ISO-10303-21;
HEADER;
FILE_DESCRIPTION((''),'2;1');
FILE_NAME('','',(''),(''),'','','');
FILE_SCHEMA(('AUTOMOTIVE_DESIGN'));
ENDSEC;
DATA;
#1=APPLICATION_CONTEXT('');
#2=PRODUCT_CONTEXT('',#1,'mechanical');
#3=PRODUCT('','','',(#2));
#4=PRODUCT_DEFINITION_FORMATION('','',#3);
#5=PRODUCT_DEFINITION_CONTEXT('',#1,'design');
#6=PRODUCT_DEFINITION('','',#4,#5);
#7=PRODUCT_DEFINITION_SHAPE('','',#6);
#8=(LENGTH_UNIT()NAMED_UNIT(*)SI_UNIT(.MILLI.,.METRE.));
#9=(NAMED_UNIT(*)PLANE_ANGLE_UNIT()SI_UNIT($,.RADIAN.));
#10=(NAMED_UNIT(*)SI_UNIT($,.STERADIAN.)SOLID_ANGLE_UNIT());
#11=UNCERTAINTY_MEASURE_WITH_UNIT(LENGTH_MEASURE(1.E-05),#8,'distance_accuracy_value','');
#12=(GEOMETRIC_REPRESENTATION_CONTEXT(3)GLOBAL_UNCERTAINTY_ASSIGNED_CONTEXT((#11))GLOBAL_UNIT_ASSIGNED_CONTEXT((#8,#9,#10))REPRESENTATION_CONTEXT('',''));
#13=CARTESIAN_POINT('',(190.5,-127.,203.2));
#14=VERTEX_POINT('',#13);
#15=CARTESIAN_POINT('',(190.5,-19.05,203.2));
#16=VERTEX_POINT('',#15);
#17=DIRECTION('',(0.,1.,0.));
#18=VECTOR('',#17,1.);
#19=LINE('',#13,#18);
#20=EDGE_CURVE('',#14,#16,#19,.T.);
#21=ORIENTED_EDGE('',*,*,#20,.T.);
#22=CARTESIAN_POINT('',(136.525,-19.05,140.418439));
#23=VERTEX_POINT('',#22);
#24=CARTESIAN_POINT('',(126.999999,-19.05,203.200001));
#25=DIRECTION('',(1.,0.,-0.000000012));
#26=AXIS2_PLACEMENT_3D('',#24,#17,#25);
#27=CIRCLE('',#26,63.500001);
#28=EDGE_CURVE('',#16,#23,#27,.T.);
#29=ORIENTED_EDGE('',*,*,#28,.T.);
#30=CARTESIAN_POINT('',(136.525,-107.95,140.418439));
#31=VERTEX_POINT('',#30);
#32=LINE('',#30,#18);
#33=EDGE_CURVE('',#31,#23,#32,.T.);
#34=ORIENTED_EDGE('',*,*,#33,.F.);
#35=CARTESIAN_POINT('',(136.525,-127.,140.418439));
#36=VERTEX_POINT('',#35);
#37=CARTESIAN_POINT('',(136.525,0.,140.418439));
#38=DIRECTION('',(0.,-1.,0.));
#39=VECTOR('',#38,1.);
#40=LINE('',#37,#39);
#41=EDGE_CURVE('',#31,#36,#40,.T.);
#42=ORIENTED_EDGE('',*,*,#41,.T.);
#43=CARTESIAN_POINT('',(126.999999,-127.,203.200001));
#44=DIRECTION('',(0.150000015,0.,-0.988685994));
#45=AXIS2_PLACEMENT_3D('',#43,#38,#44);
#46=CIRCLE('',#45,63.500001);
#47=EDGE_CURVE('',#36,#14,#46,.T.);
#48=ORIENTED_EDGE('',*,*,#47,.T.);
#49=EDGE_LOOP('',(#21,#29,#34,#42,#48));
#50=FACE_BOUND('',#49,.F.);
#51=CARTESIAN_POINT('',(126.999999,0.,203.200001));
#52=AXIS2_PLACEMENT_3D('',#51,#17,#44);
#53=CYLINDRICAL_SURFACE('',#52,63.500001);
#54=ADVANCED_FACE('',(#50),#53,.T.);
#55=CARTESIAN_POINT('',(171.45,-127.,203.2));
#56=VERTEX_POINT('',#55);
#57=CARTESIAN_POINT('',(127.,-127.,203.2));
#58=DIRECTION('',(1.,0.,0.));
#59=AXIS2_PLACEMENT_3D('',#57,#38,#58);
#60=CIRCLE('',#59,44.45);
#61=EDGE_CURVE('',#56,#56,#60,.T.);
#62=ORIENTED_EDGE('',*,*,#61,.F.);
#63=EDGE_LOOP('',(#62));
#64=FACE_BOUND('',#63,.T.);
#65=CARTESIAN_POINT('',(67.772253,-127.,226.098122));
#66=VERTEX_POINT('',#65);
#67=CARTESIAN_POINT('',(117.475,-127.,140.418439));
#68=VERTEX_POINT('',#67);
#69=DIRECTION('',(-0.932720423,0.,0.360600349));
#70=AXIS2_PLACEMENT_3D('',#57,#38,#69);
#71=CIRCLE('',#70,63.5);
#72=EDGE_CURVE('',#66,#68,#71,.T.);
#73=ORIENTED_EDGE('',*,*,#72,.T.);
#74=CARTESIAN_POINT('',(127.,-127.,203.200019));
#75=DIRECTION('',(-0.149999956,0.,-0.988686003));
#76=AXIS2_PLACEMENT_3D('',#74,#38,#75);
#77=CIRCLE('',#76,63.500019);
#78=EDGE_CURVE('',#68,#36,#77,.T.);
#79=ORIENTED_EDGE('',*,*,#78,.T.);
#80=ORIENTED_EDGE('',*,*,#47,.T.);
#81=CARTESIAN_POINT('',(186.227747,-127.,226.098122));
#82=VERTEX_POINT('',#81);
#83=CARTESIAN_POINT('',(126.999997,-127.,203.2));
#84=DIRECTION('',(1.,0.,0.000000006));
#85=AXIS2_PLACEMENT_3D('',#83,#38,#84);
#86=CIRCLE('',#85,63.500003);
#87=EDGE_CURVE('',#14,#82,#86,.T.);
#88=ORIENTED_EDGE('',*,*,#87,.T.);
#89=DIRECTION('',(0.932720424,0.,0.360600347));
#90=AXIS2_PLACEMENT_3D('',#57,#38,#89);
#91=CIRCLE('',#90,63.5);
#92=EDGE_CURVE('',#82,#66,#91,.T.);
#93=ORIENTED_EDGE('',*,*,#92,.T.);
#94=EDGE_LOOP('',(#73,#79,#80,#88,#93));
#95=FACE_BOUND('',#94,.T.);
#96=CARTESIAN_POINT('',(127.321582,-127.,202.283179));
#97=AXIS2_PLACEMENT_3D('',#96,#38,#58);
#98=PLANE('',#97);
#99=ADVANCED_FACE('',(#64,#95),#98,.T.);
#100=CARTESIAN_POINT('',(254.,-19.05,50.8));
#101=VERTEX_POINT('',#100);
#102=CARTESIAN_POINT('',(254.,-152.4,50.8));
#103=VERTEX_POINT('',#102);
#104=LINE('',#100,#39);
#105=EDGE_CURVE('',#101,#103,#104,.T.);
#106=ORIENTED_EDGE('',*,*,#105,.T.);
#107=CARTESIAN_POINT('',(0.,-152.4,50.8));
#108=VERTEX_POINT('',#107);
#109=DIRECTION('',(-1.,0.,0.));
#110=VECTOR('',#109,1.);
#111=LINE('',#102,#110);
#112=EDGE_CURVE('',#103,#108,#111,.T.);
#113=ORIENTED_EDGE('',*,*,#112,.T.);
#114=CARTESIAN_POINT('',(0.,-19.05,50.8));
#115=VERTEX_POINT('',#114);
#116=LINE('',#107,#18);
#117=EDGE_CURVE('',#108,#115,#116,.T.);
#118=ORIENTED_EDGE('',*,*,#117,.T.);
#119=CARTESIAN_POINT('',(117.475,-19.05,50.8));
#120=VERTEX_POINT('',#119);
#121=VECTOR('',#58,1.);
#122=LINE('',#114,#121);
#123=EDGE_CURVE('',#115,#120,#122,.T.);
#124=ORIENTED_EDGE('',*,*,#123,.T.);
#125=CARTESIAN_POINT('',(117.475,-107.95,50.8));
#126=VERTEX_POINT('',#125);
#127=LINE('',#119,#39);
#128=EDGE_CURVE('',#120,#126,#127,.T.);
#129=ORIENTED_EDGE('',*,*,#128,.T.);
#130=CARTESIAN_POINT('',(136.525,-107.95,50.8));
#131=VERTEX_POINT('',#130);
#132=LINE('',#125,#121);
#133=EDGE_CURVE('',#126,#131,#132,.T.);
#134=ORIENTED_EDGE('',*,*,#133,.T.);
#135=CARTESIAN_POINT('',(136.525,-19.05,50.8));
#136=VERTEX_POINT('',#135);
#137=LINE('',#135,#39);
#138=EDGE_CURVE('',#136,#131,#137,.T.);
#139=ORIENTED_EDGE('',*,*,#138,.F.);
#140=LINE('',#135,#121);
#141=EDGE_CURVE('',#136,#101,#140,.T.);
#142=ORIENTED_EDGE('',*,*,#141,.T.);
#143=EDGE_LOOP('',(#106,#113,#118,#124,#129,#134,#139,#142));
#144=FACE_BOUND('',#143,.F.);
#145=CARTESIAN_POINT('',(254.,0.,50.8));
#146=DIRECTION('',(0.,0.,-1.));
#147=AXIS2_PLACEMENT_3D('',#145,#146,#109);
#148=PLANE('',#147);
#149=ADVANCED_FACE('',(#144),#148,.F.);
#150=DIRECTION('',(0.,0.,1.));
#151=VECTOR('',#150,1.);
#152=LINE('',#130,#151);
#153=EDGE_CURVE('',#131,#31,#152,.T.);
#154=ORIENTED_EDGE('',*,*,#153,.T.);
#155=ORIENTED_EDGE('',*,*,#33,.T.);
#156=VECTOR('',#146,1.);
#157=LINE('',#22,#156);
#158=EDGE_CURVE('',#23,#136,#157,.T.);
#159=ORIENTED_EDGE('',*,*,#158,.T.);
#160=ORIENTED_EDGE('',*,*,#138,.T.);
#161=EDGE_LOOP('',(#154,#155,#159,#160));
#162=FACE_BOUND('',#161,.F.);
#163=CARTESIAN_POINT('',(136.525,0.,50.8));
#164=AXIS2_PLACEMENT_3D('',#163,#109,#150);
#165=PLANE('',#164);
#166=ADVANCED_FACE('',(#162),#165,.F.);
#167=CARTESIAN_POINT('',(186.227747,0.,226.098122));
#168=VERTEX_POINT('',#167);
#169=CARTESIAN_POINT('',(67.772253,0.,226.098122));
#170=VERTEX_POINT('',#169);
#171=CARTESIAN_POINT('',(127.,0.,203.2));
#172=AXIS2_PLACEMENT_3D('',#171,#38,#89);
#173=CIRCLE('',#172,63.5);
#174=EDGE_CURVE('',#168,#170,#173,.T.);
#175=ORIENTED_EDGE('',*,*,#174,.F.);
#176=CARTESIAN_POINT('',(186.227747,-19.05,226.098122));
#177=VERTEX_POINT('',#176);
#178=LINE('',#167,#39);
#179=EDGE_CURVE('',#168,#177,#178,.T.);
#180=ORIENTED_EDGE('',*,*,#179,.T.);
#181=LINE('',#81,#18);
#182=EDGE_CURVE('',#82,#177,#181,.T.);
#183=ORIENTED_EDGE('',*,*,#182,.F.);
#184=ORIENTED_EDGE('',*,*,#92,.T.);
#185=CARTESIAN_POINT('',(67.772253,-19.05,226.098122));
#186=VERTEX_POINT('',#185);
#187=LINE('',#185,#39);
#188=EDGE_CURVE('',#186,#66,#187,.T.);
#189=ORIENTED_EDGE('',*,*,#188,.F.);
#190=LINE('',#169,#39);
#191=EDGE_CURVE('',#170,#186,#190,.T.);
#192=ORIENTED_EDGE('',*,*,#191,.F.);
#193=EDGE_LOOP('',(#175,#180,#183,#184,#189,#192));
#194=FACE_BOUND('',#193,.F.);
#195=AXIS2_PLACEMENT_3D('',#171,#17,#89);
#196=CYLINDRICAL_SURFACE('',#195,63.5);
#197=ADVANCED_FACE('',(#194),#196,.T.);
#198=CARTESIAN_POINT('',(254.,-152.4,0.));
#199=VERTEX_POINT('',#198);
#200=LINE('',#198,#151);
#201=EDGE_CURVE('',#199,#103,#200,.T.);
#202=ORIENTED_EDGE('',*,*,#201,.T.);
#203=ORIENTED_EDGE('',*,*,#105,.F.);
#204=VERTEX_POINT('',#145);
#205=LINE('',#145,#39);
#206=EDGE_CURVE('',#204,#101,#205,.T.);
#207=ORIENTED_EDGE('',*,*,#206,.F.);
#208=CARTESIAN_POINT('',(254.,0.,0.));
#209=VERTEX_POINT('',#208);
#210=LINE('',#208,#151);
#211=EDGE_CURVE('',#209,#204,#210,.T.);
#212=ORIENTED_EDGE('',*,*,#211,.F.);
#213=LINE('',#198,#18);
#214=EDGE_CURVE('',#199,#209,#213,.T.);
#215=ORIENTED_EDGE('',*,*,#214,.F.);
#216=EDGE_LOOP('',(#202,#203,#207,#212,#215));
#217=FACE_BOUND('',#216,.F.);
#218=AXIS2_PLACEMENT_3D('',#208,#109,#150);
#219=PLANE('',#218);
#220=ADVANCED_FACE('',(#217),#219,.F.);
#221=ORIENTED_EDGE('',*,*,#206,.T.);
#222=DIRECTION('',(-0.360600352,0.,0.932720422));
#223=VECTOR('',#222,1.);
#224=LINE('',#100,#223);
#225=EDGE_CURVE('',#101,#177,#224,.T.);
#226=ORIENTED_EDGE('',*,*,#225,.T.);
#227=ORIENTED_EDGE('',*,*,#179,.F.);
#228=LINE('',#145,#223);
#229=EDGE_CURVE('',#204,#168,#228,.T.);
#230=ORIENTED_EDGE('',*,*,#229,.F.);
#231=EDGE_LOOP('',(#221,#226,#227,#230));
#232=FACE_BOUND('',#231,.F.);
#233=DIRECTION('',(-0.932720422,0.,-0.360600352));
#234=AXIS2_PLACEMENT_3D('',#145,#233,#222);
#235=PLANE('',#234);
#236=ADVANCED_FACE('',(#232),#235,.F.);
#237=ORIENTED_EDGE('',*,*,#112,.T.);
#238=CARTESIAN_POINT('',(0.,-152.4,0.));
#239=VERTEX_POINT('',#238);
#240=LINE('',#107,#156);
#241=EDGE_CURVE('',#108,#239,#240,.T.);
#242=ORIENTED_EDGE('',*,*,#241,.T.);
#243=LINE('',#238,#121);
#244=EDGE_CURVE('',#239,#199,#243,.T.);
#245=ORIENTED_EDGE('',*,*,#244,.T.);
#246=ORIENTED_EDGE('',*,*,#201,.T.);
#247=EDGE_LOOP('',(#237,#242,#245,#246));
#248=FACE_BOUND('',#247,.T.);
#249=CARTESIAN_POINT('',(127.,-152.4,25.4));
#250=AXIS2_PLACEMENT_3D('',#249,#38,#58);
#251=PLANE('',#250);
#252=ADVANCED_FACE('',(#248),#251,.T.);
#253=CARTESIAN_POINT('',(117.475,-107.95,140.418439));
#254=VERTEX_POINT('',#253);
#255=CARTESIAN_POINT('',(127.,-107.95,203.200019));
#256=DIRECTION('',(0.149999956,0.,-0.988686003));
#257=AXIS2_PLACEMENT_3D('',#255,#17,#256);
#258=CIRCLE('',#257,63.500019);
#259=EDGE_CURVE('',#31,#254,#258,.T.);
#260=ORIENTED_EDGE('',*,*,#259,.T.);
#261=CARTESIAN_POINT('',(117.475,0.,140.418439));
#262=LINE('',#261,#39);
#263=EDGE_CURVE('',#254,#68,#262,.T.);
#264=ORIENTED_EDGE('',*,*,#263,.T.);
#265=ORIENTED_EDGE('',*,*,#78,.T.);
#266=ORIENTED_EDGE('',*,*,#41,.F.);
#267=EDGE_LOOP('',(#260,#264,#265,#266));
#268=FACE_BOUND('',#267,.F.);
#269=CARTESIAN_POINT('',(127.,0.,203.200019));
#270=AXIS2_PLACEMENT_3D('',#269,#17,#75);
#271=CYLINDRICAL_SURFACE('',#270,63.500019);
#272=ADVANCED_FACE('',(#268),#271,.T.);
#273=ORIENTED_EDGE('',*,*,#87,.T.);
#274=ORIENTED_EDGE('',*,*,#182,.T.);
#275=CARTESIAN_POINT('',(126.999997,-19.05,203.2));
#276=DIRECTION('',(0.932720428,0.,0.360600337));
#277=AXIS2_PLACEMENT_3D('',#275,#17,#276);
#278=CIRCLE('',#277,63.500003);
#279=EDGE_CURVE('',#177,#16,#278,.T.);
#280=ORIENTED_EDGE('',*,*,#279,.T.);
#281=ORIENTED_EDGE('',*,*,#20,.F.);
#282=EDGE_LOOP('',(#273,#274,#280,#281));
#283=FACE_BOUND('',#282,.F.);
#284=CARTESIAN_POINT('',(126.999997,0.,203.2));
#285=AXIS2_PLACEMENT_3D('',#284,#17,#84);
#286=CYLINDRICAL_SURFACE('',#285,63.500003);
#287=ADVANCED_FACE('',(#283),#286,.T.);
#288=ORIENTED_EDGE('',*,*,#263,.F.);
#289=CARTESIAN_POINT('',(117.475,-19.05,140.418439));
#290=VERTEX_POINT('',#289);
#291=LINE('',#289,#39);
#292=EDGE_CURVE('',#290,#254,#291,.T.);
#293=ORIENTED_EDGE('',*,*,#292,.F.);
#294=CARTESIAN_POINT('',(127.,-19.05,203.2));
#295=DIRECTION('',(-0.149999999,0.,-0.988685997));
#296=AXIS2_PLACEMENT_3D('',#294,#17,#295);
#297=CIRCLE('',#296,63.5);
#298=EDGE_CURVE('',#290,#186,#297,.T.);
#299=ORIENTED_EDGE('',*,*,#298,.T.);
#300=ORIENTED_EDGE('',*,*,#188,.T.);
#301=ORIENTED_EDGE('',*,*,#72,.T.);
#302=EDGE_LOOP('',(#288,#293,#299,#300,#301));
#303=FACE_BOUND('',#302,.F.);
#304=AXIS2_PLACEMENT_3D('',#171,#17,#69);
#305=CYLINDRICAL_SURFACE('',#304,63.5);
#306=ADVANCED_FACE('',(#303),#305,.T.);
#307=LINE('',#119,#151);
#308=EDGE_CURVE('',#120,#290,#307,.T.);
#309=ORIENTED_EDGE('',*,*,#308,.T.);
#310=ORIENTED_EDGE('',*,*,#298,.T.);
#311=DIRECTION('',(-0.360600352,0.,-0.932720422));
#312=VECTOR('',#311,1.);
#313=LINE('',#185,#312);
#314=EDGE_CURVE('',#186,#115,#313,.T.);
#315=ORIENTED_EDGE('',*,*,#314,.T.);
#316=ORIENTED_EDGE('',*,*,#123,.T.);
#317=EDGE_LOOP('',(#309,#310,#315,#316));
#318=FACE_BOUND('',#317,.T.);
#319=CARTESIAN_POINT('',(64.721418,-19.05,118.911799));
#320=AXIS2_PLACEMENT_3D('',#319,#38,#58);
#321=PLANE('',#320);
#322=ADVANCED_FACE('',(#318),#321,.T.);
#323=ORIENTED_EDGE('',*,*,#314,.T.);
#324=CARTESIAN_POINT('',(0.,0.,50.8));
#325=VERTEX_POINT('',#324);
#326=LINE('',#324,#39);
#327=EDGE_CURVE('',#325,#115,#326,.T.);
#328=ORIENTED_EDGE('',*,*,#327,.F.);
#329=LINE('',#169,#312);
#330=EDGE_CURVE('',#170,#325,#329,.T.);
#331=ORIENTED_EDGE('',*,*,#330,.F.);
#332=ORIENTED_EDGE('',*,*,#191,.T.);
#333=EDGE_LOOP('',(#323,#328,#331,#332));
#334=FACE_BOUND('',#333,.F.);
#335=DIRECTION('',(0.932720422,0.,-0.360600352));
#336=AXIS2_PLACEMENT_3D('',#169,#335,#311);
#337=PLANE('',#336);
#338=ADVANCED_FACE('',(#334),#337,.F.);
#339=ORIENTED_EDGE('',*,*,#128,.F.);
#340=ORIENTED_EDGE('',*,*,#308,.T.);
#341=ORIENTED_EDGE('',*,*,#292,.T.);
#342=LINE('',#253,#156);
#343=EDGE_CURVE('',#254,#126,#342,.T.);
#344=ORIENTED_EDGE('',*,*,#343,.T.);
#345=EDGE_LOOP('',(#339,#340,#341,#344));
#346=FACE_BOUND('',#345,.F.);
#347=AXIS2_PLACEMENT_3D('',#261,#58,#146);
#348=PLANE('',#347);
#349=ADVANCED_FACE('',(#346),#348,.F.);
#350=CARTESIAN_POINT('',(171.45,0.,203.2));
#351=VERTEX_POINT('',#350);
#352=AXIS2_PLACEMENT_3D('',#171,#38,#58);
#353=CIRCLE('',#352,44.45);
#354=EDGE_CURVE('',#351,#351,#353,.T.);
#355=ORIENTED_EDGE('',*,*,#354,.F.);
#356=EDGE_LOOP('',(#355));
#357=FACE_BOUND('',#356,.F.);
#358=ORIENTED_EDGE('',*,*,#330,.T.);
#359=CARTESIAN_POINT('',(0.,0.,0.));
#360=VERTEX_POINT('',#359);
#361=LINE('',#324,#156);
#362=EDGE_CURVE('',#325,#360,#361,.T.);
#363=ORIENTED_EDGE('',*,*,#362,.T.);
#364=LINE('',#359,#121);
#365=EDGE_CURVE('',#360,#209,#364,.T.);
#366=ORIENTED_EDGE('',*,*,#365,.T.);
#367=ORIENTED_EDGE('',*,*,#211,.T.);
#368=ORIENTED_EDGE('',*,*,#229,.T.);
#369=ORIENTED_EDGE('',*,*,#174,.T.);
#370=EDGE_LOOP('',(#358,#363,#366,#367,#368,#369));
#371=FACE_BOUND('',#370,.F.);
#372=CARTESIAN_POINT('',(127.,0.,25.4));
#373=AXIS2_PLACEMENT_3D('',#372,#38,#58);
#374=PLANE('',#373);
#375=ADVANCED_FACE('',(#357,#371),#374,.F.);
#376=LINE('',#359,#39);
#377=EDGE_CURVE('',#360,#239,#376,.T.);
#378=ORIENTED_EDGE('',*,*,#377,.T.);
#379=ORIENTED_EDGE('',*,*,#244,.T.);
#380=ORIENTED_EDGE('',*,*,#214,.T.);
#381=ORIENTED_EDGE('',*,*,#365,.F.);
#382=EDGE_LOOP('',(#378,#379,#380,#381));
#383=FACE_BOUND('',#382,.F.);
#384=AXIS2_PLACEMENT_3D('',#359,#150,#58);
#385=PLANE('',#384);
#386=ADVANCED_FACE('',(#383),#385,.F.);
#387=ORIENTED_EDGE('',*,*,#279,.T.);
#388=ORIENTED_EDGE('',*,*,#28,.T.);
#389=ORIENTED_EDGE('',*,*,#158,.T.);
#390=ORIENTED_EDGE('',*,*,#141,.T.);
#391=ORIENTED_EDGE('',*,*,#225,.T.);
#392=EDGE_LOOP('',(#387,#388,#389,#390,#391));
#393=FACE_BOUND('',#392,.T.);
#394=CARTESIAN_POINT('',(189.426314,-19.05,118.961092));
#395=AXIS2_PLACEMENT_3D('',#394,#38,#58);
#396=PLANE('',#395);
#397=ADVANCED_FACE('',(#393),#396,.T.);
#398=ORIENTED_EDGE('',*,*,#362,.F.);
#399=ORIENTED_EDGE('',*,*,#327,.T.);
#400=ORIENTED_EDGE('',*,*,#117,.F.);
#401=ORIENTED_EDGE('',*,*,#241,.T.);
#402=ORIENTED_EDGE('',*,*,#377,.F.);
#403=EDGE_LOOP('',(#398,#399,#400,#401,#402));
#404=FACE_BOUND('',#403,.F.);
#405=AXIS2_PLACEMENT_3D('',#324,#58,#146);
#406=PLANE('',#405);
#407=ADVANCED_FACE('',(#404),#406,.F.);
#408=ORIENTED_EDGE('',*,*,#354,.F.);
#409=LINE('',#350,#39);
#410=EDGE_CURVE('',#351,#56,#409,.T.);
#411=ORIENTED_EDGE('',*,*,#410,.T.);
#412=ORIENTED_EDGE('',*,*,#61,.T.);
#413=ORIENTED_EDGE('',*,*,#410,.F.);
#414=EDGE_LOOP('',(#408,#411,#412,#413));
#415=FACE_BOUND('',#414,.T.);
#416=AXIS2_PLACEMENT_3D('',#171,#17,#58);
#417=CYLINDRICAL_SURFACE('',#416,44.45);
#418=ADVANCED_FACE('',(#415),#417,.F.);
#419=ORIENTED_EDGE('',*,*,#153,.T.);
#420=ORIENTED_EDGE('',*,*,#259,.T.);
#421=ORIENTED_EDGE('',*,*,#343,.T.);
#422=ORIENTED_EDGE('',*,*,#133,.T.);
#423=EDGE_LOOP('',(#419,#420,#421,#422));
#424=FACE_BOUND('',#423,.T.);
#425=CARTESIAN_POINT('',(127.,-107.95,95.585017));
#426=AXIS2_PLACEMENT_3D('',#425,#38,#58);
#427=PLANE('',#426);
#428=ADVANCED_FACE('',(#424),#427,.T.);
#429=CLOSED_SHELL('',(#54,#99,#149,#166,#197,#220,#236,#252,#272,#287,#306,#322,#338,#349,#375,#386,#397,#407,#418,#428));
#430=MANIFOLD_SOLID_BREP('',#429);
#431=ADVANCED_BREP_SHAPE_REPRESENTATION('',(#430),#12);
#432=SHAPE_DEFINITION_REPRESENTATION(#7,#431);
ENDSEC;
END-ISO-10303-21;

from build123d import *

# Parameters (mm, degrees)
F0_R     = 44.45
F1_DEPTH = 127
F2_DEPTH = 19.05
F3_DEPTH = 107.95
F4_DEPTH = 152.4
F5_DEPTH = 25.4


with BuildPart() as f1:
    # F0 (on Front) → F1 (new body)
    with BuildSketch(Plane.XZ):
        with BuildLine():
            ThreePointArc((186.227747, 226.098122), (127, 266.7), (67.772253, 226.098122))
            ThreePointArc((67.772253, 226.098122), (72.072893, 171.336809), (117.475, 140.418439))
            ThreePointArc((117.475, 140.418439), (127, 139.7), (136.525, 140.418439))
            ThreePointArc((136.525, 140.418439), (175.151259, 161.803065), (190.5, 203.2))
            ThreePointArc((190.5, 203.2), (189.4228, 214.846632), (186.227747, 226.098122))
        make_face()
        with Locations((127, 203.2)):
            Circle(F0_R, mode=Mode.SUBTRACT)
    extrude(amount=F1_DEPTH)

    # F0 (on Front) → F2 (join)
    with BuildSketch(Plane.XZ):
        with BuildLine():
            Line((136.525, 50.8), (254, 50.8))
            Line((254, 50.8), (186.227747, 226.098122))
            ThreePointArc((186.227747, 226.098122), (189.4228, 214.846632), (190.5, 203.2))
            ThreePointArc((190.5, 203.2), (175.151259, 161.803065), (136.525, 140.418439))
            Line((136.525, 140.418439), (136.525, 50.8))
        make_face()
        with BuildLine():
            Line((67.772253, 226.098122), (0, 50.8))
            Line((0, 50.8), (117.475, 50.8))
            Line((117.475, 50.8), (117.475, 140.418439))
            ThreePointArc((117.475, 140.418439), (72.072893, 171.336809), (67.772253, 226.098122))
        make_face()
    extrude(amount=F2_DEPTH)

    # F0 (on Front) → F3 (join)
    with BuildSketch(Plane.XZ):
        with BuildLine():
            Line((117.475, 140.418439), (117.475, 50.8))
            Line((117.475, 50.8), (136.525, 50.8))
            Line((136.525, 50.8), (136.525, 140.418439))
            ThreePointArc((136.525, 140.418439), (127, 139.7), (117.475, 140.418439))
        make_face()
    extrude(amount=F3_DEPTH)

    # F0 (on Front) → F4 (join)
    with BuildSketch(Plane.XZ):
        Polygon((0, 50.8), (0, 0), (254, 0), (254, 50.8), (136.525, 50.8), (117.475, 50.8), align=None)
    extrude(amount=F4_DEPTH)

    # F0 (on Front) → F5 (join)
    with BuildSketch(Plane.XZ):
        with BuildLine():
            ThreePointArc((186.227747, 226.098122), (127, 266.7), (67.772253, 226.098122))
            ThreePointArc((67.772253, 226.098122), (72.072893, 171.336809), (117.475, 140.418439))
            ThreePointArc((117.475, 140.418439), (127, 139.7), (136.525, 140.418439))
            ThreePointArc((136.525, 140.418439), (175.151259, 161.803065), (190.5, 203.2))
            ThreePointArc((190.5, 203.2), (189.4228, 214.846632), (186.227747, 226.098122))
        make_face()
        with Locations((127, 203.2)):
            Circle(F0_R, mode=Mode.SUBTRACT)
        Polygon((0, 50.8), (0, 0), (254, 0), (254, 50.8), (136.525, 50.8), (117.475, 50.8), align=None)
    extrude(amount=F5_DEPTH)


solid = f1.part
